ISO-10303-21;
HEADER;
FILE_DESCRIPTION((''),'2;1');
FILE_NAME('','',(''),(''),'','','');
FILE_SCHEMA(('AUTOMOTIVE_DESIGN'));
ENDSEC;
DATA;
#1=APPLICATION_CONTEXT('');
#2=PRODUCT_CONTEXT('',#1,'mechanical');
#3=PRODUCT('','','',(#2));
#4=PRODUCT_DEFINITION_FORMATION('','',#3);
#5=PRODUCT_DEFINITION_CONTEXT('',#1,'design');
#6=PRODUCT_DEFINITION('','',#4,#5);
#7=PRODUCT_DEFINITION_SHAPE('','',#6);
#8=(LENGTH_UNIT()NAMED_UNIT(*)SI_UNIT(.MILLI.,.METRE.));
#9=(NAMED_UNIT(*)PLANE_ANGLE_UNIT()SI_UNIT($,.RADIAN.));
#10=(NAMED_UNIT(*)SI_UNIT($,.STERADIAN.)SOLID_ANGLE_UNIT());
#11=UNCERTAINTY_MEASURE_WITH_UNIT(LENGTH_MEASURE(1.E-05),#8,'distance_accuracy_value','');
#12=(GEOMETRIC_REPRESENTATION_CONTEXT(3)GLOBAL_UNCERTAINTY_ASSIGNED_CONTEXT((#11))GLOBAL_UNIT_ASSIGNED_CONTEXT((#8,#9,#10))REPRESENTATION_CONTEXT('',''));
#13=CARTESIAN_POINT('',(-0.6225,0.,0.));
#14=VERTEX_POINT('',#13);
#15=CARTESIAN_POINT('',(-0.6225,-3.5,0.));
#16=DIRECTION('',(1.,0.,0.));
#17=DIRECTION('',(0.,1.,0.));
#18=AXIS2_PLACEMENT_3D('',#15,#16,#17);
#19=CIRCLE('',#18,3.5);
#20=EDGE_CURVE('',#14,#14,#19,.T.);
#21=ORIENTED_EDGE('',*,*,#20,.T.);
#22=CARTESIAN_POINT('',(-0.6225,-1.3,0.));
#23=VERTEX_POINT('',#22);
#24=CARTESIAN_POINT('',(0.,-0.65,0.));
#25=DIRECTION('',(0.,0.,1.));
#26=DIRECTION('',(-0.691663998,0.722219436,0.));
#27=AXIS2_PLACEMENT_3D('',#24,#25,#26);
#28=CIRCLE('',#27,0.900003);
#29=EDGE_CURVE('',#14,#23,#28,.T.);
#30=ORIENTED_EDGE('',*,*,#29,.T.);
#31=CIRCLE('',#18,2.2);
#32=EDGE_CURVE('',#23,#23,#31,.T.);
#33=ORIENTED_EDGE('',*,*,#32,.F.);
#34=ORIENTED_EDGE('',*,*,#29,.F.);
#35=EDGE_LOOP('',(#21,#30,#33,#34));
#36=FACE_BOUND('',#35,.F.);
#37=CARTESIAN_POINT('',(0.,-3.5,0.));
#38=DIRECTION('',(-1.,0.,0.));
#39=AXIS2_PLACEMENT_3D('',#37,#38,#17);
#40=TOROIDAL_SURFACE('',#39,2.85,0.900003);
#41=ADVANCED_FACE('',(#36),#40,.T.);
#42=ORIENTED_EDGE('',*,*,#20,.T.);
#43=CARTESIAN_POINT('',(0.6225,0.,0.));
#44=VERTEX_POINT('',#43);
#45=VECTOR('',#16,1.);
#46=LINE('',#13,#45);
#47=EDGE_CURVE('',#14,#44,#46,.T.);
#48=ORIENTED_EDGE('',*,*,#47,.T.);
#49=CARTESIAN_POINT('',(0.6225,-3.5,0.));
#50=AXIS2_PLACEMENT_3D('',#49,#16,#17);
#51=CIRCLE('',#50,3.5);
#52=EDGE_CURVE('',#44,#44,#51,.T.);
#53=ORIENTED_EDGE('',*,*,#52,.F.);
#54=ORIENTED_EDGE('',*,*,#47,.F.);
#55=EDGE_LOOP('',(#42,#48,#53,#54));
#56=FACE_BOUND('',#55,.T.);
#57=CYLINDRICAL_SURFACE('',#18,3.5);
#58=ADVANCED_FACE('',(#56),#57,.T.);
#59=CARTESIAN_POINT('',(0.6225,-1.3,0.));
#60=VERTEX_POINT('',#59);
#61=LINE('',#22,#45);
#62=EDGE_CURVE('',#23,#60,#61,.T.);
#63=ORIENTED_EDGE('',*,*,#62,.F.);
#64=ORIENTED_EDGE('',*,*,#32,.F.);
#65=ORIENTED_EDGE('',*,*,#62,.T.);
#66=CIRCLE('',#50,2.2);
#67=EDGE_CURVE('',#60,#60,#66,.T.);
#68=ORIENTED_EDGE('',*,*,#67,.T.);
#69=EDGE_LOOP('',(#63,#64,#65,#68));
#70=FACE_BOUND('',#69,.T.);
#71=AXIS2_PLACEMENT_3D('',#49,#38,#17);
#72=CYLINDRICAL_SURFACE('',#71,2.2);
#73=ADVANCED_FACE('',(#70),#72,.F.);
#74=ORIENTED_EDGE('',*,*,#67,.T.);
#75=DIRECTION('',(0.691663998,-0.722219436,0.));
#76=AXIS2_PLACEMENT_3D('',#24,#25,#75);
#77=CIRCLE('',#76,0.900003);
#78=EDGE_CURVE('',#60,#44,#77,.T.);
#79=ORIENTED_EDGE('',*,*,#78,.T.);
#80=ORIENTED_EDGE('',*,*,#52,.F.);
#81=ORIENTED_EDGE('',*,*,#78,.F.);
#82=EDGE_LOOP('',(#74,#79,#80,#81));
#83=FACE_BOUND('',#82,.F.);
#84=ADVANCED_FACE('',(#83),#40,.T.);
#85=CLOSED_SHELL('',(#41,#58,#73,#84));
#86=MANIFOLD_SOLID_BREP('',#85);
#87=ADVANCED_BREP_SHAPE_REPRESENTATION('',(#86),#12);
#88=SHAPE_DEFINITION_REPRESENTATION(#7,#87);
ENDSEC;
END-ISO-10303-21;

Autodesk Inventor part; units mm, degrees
ref_plane "YZ Plane" through (0, 0, 0) normal (1, 0, 0) x (0, 1, 0)
ref_plane "XZ Plane" through (0, 0, 0) normal (0, 1, 0) x (-1, 0, 0)
ref_plane "XY Plane" through (0, 0, 0) normal (0, 0, 1) x (1, 0, 0)
sketch "Sketch1" plane through (0, 0, 0) normal (0, 0, 1) x (1, 0, 0)
  line L0 (-0.6225, 0) -> (0.6225, 0)
  line L1 (-2.4121, 0) -> (3.0062, 0) projected
  line L2 (0.6225, -1.3) -> (-0.6225, -1.3)
  arc A0 (-0.6225, 0) -> (-0.6225, -1.3) centre (0, -0.65) ccw
  line L3 (-1.6381, -3.5) -> (2.2322, -3.5)
  line L4 (0, 1.8) -> (0, -10.8) projected
  arc A1 (0.6225, -1.3) -> (0.6225, 0) centre (0, -0.65) ccw
  line L5 (0, 0) -> (0, 0) construction
  dimension "d0" = 4.4
  dimension "d1" = 0.65
  dimension "d2" = 7
  dimension "d3" = 0.9
revolve "Body" add sketch "Sketch1" angle 360 about axis through (-1.6381, -3.5, 0) along (1, 0, 0)
equation "\"d0\" = NDOR"
equation "\"d1\" = -0.25 * NDOR + 0.25 * NND"
equation "\"d2\" = NND"
equation "\"d3\" = 0.5 * QDM"
equation "\"QDM\" = 1.8"
equation "\"NND\" = 7"
equation "\"NDOR\" = 4.4"
equation "\"R2\" = 0.2"
equation "\"NB3\" = 5.2"
equation "\"SD1\" = 4"
equation "\"R1\" = 0.3"
equation "\"NB2\" = 3.8"
equation "\"NB1\" = 2.4"
equation "\"BD\" = 6.88"
equation "\"NTOR\" = -0.5 * NDOR + 0.5 * NND"
properties part number "DIN 3771 - 4 x 1.8 - N - NBR 70" material "Rubber"
